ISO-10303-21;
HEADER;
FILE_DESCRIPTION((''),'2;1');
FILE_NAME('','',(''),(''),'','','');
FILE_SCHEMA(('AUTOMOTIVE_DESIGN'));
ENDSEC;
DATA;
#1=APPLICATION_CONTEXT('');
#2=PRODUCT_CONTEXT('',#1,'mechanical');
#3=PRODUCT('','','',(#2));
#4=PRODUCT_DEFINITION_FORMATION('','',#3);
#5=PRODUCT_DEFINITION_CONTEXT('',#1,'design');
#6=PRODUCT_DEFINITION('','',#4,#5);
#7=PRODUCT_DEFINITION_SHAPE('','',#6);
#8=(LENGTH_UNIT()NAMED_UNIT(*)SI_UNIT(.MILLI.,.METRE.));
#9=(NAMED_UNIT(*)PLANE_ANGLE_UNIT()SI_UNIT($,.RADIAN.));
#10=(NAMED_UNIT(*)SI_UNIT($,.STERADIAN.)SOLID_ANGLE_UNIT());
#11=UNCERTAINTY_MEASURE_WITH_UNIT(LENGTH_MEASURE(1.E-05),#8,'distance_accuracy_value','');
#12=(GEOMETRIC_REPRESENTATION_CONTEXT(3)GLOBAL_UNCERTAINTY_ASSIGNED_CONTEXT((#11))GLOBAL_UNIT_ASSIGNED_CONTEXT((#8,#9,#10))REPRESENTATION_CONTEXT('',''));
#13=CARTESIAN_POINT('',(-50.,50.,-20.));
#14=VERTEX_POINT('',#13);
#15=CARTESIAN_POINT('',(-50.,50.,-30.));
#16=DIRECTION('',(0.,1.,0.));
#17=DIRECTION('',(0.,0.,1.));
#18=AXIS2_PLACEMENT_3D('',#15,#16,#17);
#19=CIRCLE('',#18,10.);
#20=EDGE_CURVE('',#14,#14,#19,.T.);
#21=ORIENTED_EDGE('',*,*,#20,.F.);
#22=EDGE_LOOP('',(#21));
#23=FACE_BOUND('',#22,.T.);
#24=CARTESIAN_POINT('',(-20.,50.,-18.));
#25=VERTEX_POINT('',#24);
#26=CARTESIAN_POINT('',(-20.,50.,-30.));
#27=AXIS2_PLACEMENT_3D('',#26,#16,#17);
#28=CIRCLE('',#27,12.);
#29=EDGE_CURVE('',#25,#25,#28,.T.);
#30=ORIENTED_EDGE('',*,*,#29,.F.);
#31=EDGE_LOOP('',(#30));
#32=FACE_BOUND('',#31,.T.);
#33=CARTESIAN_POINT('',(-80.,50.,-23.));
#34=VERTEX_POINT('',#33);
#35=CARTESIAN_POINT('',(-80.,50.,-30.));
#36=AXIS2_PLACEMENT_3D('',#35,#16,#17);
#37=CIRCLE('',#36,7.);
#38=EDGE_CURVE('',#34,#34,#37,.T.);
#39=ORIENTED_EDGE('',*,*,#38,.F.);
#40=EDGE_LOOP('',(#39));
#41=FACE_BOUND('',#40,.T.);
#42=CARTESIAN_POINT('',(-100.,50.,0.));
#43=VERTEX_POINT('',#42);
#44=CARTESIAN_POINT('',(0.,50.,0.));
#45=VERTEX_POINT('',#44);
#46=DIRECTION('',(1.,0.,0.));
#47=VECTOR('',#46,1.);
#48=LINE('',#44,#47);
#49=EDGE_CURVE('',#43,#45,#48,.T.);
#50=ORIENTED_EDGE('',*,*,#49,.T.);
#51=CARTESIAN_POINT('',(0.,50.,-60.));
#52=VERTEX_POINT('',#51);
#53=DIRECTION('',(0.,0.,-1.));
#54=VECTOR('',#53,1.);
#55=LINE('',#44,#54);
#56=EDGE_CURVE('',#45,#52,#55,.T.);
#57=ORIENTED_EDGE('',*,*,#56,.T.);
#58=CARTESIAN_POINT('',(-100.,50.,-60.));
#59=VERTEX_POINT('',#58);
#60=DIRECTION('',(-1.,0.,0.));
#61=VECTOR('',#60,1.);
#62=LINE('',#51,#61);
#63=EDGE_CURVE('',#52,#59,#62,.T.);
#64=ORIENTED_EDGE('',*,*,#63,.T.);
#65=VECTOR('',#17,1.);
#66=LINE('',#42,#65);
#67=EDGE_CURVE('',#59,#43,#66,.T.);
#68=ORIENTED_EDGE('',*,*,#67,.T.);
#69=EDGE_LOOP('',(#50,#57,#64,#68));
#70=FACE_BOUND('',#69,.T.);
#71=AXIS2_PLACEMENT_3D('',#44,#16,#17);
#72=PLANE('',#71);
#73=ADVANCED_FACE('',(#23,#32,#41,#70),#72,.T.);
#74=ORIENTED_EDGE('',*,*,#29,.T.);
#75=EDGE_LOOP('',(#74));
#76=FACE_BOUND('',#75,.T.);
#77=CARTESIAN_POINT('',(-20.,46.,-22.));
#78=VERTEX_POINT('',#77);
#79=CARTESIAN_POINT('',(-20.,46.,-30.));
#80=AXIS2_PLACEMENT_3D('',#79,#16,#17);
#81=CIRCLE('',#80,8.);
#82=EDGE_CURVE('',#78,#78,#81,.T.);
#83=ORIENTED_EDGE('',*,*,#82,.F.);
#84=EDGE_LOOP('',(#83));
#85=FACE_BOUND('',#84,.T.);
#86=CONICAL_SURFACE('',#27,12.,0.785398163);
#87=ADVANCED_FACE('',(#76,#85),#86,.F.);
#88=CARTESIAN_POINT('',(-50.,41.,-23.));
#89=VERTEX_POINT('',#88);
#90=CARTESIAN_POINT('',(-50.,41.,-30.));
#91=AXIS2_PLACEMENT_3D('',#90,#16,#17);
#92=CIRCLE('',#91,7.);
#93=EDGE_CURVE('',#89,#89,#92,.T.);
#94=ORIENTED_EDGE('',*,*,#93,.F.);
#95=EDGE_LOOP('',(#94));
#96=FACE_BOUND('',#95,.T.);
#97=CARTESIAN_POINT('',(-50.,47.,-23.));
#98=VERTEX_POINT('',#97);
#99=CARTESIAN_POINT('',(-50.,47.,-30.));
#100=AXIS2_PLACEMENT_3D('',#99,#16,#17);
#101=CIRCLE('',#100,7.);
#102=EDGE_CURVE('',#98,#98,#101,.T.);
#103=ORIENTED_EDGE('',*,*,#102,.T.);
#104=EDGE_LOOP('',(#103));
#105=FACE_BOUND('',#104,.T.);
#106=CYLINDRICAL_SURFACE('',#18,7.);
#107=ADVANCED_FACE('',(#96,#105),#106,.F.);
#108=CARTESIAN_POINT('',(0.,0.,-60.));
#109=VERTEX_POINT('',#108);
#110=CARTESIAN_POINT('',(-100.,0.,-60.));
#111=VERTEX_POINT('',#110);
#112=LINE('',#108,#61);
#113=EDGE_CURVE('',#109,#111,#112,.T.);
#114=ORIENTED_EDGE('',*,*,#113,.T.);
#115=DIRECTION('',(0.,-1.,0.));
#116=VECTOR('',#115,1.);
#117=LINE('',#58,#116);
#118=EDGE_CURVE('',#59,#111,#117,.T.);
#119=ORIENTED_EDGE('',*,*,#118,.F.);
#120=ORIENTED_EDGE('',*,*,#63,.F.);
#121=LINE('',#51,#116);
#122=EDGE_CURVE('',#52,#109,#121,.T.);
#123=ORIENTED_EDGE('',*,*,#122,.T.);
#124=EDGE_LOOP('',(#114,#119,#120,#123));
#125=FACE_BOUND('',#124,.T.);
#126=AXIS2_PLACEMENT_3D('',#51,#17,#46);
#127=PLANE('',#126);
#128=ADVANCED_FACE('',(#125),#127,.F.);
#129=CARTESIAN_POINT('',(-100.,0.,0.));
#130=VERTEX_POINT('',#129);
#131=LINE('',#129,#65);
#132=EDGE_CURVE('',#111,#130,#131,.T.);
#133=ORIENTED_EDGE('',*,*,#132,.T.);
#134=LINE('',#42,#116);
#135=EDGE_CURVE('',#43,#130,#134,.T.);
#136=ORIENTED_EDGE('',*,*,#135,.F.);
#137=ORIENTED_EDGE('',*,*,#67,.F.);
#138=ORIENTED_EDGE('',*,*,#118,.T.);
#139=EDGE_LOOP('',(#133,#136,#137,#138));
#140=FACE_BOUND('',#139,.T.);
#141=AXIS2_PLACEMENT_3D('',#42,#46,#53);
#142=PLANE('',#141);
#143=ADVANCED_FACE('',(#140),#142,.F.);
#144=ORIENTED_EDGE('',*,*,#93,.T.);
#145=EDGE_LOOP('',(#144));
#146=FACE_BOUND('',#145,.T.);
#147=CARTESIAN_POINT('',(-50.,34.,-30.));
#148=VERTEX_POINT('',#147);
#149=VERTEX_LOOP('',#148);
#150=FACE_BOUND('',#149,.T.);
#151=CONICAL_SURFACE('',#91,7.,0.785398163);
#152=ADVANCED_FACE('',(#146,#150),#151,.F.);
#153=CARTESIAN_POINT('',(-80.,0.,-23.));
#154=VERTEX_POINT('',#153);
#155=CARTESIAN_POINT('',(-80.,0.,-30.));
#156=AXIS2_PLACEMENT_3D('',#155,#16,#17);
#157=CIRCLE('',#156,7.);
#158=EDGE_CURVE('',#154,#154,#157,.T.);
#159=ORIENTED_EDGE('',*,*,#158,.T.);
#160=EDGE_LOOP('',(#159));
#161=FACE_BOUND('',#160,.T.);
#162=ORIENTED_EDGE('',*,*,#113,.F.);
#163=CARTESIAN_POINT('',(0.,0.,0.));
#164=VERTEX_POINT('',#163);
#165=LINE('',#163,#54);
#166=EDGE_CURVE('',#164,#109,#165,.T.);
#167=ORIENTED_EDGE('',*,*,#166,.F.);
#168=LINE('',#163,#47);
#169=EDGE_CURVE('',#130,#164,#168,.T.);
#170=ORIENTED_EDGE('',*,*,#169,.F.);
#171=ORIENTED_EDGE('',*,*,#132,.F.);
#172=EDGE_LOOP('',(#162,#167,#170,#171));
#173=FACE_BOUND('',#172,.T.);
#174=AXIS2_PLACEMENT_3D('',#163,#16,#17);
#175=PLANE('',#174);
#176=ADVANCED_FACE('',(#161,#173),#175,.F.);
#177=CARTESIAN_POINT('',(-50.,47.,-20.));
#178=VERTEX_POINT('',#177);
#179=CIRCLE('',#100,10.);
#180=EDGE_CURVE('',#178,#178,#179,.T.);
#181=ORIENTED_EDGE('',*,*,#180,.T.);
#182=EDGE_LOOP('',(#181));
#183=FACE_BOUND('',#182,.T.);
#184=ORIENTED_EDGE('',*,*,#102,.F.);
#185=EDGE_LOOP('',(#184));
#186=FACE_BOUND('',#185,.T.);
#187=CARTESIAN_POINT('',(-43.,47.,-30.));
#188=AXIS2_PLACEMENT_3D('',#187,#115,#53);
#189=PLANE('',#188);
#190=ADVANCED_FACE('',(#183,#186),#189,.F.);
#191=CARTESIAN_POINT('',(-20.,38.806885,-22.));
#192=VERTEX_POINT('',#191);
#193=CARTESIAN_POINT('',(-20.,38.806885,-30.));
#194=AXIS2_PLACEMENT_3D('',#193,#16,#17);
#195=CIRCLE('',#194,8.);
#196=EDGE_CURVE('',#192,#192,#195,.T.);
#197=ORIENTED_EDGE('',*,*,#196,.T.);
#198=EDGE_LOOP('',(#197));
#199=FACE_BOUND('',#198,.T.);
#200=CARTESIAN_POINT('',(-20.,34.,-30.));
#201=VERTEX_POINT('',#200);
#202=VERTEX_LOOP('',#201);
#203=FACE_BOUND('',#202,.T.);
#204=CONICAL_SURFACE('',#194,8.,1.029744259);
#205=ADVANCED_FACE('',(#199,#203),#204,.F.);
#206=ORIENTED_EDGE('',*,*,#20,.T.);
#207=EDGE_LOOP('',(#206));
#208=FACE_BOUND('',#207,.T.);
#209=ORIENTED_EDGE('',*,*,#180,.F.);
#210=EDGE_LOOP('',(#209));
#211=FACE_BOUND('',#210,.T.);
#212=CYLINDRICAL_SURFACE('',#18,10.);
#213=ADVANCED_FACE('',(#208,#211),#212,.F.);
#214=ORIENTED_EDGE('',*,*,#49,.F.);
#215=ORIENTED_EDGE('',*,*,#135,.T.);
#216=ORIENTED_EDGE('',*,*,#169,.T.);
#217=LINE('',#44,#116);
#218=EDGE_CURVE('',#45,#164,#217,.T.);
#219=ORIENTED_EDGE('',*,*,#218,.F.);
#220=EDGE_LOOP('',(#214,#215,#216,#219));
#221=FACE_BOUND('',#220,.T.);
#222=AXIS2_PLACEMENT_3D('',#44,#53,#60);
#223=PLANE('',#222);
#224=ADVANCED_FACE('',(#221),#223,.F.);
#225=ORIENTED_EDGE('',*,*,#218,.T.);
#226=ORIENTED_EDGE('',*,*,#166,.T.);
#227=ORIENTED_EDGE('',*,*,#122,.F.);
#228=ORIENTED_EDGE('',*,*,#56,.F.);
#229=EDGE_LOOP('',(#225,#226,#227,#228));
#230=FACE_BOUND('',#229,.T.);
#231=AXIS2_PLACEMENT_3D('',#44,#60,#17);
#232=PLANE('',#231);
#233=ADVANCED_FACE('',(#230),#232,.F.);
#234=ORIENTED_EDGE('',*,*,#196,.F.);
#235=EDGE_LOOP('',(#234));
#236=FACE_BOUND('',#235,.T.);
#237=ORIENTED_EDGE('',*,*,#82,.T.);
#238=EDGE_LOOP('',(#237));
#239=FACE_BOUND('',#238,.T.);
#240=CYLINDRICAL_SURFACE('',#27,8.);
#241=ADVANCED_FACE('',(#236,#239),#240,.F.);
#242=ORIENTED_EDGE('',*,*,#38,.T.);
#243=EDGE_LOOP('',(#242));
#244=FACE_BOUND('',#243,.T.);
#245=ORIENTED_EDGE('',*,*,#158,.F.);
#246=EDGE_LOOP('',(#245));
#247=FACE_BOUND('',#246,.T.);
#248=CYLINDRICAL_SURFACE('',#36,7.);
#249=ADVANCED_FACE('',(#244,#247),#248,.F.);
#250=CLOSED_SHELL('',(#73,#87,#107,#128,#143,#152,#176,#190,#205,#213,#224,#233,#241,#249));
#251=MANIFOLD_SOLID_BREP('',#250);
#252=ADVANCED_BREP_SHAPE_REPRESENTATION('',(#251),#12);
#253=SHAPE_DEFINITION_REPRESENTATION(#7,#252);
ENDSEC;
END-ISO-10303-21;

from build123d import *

# Parameters (mm, degrees)
ESBO_O2_W                                 = 100
ESBO_O2_H                                 = 60
RESSALTO_EXTRUS_O1_DEPTH                  = 50
FURO1_D                                   = 14
FURO1_DEPTH                               = 9
FURO1_CBORE_D                             = 20
FURO1_CBORE_DEPTH                         = 3
FURO1_TIP                                 = 7
FURO2_D                                   = 16
FURO2_DEPTH                               = 11.193115048
FURO2_CSINK_D                             = 24
FURO2_CSINK_ANGLE                         = 90
FURO2_TIP                                 = 4.806884952
BROCA_DE_ROSQUEAR_PARA_TARRAXA_DE_M16X2_D = 14


with BuildPart() as part:
    # Esboço2 → Ressalto-extrusão1 (new body)
    with BuildSketch(Plane(origin=(0, 0, 0), x_dir=(1, 0, 0), z_dir=(0, 1, 0))):
        with Locations((-50, 30)):
            Rectangle(ESBO_O2_W, ESBO_O2_H)
    extrude(amount=RESSALTO_EXTRUS_O1_DEPTH)

    # Furo1
    with Locations(Plane(origin=(0, 50, 0), x_dir=(1, 0, 0), z_dir=(0, 1, 0))):
        with Locations((-50, 30)):
            CounterBoreHole(FURO1_D / 2, FURO1_CBORE_D / 2, FURO1_CBORE_DEPTH, depth=FURO1_DEPTH)
            with Locations((0, 0, -(FURO1_DEPTH + FURO1_TIP / 2))):  # 90° drill point
                Cone(0, FURO1_D / 2, FURO1_TIP, mode=Mode.SUBTRACT)

    # Furo2
    with Locations(Plane(origin=(0, 50, 0), x_dir=(1, 0, 0), z_dir=(0, 1, 0))):
        with Locations((-20, 30)):
            CounterSinkHole(FURO2_D / 2, FURO2_CSINK_D / 2, depth=FURO2_DEPTH, counter_sink_angle=FURO2_CSINK_ANGLE)
            with Locations((0, 0, -(FURO2_DEPTH + FURO2_TIP / 2))):  # 118° drill point
                Cone(0, FURO2_D / 2, FURO2_TIP, mode=Mode.SUBTRACT)

    # Broca de rosquear para tarraxa de M16x2.02 (through all)
    with Locations(Plane(origin=(0, 50, 0), x_dir=(1, 0, 0), z_dir=(0, 1, 0))):
        with Locations((-80, 30)):
            Hole(BROCA_DE_ROSQUEAR_PARA_TARRAXA_DE_M16X2_D / 2)


solid = part.part
